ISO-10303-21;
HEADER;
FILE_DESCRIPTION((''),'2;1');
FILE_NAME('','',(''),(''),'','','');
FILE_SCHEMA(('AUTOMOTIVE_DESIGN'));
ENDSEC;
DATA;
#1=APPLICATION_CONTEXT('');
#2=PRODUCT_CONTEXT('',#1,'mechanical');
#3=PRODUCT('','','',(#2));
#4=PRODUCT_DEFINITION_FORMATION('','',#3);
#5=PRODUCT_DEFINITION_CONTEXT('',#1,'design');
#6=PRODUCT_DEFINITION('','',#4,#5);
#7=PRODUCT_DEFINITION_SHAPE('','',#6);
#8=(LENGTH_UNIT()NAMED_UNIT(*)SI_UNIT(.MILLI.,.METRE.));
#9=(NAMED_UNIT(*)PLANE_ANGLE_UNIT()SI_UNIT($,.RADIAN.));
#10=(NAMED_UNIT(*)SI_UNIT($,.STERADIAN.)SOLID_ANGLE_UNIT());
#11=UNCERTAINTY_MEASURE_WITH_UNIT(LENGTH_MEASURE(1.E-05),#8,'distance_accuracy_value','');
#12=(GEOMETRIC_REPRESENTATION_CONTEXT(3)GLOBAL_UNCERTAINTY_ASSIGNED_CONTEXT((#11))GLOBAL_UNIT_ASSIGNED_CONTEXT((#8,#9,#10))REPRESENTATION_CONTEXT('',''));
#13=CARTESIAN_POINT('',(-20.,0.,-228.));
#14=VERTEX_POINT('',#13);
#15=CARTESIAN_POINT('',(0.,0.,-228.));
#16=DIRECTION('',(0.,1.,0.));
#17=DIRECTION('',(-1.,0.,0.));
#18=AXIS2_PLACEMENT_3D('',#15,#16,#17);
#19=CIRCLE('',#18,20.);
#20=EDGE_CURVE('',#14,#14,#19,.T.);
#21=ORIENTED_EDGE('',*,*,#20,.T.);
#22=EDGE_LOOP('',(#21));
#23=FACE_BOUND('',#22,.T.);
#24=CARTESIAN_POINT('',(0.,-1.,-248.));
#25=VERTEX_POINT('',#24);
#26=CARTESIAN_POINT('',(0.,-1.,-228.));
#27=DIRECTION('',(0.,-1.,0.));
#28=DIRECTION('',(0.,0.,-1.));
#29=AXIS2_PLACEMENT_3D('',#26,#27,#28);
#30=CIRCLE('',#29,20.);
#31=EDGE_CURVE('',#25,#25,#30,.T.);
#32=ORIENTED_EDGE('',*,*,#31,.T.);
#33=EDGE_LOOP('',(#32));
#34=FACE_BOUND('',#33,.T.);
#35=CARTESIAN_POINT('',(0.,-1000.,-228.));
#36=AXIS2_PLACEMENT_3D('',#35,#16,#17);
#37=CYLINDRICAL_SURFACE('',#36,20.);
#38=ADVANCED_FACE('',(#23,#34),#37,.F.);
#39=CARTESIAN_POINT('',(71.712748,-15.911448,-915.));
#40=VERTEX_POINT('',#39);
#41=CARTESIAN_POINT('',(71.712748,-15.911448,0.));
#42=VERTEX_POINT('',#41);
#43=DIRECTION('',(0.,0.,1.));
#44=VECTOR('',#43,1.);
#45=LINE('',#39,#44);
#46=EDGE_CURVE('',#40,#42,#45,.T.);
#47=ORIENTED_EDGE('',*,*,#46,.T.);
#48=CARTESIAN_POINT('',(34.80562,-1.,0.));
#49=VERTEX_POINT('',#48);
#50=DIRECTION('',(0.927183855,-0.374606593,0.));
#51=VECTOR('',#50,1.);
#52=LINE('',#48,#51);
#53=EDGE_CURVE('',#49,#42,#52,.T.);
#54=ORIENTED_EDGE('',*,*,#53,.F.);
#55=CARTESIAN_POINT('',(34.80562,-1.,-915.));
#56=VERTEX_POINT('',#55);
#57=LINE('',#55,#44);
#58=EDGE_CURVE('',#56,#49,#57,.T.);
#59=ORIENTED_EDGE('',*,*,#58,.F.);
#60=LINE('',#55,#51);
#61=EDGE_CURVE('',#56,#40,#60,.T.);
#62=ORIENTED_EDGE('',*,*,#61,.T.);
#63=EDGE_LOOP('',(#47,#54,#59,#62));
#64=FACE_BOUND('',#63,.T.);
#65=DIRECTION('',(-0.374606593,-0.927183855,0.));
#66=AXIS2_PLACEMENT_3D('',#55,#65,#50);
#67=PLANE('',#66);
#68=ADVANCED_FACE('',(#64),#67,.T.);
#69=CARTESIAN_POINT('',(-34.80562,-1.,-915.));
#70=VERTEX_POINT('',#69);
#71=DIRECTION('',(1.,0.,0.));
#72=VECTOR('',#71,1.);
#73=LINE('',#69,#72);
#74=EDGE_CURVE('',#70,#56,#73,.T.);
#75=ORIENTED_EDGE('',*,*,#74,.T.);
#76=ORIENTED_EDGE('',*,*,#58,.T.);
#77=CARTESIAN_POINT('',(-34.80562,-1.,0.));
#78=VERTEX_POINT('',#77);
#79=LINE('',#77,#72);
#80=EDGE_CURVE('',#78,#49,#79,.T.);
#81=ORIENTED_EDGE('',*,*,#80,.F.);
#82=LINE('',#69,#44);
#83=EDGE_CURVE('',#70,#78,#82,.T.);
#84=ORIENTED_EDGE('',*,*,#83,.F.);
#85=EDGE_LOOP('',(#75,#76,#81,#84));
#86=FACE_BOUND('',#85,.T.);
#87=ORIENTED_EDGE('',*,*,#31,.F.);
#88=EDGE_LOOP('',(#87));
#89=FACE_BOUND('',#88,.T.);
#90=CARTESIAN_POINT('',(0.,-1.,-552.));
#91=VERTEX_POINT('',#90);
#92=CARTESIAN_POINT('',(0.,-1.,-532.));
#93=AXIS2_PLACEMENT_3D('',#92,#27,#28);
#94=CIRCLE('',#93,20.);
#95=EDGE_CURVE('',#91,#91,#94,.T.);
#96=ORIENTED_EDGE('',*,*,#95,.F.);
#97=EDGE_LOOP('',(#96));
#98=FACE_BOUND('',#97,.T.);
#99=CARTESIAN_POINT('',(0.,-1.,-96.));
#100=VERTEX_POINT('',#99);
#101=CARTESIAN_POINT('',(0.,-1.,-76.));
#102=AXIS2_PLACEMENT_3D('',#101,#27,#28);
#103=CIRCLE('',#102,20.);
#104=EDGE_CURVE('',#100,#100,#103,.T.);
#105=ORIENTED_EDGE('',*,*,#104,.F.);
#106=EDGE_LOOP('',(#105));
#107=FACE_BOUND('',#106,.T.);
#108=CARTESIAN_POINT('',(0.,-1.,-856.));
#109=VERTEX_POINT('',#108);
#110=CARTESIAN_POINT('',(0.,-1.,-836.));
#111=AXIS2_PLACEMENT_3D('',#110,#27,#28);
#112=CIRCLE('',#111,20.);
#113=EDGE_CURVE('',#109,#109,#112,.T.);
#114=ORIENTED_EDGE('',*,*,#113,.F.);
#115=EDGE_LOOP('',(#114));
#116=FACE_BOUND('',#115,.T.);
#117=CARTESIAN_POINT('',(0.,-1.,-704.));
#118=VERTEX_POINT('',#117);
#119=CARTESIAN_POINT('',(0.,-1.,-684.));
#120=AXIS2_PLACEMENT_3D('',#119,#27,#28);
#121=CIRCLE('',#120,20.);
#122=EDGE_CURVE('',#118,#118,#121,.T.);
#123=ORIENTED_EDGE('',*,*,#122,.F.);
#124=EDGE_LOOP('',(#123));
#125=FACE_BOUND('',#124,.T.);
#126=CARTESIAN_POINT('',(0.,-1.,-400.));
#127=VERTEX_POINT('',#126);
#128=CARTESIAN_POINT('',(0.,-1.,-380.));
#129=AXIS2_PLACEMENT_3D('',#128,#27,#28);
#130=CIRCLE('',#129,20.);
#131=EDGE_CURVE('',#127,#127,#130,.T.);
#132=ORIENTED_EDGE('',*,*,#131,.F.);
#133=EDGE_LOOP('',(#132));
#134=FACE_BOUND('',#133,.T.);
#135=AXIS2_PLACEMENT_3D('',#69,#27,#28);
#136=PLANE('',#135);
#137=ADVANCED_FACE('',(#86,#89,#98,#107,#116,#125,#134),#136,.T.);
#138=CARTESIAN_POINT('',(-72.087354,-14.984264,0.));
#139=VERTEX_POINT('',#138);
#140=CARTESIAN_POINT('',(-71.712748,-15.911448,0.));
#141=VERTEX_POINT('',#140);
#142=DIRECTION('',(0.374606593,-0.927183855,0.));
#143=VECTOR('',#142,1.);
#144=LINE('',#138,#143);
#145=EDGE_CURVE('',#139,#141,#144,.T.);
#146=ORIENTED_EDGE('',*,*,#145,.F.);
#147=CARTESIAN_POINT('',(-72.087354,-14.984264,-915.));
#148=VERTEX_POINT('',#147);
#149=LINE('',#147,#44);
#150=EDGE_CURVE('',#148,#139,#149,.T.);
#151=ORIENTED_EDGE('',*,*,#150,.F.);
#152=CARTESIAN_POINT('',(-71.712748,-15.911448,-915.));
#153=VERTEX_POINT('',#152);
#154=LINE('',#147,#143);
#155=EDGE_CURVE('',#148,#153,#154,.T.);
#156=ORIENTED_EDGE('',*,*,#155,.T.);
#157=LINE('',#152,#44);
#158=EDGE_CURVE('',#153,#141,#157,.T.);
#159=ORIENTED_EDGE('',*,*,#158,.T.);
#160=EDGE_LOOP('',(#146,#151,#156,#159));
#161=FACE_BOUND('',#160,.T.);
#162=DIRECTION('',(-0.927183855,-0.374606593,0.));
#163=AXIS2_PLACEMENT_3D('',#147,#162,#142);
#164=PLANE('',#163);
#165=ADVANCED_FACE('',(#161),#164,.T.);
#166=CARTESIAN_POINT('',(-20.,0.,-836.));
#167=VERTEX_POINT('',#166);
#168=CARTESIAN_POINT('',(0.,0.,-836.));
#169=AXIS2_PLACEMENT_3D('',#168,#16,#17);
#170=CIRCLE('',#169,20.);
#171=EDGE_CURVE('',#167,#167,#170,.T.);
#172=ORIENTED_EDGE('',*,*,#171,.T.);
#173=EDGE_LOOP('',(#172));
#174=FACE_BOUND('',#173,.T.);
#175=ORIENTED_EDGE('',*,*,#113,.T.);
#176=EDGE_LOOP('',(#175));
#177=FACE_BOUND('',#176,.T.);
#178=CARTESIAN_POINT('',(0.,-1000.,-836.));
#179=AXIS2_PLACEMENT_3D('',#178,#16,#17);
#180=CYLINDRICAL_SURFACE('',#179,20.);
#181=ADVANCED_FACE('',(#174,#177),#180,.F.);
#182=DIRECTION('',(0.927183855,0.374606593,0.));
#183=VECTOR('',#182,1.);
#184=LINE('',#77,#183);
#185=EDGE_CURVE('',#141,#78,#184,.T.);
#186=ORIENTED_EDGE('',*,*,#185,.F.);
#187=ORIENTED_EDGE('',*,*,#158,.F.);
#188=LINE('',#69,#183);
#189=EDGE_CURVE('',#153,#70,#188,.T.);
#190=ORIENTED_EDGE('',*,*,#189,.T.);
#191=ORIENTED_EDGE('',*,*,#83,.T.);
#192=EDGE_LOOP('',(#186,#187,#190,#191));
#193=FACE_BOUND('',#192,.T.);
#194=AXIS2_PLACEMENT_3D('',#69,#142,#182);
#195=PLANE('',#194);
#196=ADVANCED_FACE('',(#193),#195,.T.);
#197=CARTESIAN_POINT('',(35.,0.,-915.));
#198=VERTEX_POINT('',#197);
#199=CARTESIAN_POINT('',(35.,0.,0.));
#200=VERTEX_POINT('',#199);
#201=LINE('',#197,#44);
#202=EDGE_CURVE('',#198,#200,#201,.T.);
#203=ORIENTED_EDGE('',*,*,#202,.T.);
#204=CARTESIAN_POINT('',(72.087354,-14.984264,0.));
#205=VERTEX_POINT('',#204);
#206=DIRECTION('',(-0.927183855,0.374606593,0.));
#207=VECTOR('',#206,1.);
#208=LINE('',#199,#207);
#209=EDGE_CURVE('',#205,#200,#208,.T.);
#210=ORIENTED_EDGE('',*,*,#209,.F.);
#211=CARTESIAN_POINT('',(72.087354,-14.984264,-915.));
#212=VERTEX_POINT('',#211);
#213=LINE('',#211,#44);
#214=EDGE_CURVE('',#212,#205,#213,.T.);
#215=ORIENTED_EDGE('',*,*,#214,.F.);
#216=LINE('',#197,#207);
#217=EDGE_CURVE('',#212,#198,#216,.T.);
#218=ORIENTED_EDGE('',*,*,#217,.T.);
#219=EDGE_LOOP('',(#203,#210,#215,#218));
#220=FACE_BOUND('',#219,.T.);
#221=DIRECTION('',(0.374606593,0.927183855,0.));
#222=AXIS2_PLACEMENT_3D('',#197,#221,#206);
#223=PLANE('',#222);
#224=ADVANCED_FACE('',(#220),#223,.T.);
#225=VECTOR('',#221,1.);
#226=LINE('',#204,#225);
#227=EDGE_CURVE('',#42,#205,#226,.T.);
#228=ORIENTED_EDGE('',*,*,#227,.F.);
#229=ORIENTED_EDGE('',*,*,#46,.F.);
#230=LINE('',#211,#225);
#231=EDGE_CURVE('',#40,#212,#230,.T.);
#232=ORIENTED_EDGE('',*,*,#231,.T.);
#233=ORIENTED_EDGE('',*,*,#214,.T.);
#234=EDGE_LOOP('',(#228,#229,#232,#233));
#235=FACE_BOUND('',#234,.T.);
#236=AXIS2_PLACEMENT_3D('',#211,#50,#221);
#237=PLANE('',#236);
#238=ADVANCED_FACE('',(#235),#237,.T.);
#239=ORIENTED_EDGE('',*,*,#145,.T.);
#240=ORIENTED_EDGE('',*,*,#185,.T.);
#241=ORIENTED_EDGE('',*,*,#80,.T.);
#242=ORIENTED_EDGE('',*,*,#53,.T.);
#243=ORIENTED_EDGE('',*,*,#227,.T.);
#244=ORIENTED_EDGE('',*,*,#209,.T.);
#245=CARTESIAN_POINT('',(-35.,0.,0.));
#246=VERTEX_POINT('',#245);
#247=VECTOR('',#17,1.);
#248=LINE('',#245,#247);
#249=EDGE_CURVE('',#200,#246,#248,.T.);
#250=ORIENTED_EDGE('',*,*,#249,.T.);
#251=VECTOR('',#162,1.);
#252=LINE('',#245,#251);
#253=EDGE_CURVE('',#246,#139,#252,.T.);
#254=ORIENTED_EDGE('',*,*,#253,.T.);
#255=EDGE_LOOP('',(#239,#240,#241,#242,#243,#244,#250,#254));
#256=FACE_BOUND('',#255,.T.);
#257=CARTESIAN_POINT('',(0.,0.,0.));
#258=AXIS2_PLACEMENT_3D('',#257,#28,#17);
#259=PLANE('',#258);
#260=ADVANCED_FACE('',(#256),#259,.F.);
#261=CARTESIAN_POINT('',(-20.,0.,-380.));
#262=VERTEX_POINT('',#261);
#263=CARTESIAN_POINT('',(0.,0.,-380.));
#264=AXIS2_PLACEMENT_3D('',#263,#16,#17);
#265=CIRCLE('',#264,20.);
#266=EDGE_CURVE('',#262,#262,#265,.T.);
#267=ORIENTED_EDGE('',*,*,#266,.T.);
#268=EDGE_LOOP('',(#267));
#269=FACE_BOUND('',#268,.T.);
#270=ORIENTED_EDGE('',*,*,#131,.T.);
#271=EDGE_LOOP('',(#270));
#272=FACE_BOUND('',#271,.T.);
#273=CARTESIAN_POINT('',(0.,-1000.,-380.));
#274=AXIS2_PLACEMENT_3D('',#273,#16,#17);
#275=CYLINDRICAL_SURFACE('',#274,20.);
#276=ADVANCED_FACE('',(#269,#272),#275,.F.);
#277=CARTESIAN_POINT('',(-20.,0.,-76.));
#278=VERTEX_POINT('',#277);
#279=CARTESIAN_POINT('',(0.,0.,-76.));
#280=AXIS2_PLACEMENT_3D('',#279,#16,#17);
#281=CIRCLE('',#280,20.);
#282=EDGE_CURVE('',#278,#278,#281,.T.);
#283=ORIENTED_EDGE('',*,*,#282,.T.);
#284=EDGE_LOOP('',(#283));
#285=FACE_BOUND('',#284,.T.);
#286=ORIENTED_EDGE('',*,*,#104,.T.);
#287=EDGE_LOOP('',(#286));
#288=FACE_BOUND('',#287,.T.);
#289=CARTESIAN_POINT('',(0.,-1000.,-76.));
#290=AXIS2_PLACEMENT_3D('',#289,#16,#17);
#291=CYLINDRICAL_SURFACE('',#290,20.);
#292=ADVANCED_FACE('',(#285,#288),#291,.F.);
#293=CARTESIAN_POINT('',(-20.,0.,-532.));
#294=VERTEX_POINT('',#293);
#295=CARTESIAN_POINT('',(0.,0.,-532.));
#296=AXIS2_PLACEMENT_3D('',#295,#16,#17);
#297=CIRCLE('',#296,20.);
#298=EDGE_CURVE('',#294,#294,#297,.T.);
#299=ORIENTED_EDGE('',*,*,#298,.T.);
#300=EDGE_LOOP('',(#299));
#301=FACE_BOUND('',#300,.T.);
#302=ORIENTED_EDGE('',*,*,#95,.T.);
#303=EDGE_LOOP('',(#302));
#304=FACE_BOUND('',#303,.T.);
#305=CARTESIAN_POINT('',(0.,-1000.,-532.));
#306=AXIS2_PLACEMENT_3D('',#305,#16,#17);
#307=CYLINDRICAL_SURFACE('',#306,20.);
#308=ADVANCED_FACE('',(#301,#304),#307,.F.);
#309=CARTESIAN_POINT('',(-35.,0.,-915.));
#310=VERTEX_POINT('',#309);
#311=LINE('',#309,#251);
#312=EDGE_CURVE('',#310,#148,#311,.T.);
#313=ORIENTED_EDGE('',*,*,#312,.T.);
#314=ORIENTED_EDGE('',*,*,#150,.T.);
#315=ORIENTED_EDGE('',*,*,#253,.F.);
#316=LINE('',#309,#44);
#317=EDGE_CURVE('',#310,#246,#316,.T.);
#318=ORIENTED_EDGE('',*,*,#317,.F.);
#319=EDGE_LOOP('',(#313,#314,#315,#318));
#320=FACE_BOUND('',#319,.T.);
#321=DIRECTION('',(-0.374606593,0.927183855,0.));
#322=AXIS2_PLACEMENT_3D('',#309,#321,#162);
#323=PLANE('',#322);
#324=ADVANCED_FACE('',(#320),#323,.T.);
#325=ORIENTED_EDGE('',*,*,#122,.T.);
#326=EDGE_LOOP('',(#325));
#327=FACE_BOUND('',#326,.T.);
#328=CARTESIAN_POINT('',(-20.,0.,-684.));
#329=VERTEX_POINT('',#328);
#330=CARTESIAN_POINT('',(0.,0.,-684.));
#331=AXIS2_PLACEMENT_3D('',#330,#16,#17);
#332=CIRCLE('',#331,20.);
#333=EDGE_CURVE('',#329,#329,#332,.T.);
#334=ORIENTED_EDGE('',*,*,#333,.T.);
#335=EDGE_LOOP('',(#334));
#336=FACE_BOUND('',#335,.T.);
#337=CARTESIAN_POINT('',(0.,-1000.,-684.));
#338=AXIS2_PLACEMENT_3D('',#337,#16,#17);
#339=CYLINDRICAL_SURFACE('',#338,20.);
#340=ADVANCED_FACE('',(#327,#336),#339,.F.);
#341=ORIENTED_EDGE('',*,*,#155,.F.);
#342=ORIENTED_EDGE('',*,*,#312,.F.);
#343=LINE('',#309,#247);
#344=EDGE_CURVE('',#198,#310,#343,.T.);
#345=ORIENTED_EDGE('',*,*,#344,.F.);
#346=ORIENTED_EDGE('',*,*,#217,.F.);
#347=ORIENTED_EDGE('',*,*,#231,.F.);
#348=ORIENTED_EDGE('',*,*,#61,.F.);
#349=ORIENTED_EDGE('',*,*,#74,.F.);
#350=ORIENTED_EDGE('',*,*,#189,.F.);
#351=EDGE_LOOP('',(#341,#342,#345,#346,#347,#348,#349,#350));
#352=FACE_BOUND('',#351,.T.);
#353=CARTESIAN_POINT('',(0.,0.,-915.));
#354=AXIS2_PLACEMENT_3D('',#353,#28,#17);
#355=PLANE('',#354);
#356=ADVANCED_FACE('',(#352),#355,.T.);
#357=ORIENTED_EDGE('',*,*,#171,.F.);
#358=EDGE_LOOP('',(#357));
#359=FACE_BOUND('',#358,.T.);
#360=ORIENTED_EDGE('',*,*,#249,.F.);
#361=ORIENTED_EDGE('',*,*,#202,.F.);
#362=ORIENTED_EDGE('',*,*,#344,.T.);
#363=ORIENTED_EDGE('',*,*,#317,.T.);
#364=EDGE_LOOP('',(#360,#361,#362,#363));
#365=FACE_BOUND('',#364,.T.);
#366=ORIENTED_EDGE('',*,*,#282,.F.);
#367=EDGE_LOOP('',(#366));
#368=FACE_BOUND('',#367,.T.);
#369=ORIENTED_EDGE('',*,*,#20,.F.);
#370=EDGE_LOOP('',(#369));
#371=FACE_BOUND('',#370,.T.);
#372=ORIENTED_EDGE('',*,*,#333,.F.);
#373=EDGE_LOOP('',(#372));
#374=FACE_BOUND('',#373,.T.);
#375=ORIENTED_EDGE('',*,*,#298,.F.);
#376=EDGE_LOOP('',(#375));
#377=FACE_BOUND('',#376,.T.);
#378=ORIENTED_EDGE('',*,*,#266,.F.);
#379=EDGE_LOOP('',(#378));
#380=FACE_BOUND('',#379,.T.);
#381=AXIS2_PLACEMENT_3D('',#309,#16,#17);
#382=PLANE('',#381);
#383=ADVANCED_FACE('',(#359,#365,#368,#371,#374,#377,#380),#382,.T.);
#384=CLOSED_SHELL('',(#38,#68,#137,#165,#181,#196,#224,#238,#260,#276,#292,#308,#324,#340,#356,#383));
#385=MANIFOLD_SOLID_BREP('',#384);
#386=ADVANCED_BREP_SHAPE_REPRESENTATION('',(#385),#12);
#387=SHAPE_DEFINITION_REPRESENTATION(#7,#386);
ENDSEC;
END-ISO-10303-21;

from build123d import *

# Parameters (mm, degrees)
BOSS_EXTRUDE1_DEPTH = 915
SKETCH2_R           = 20
CUT_EXTRUDE1_DEPTH  = 1000


with BuildPart() as part:
    # Sketch1 → Boss-Extrude1 (new body)
    with BuildSketch(Plane.XY):
        Polygon((-35, 0), (35, 0), (72.087354183, -14.984263737), (71.712747589, -15.911447591), (34.805619691, -1), (-34.805619691, -1), (-71.712747589, -15.911447591), (-72.087354183, -14.984263737), align=None)
    extrude(amount=-BOSS_EXTRUDE1_DEPTH)

    # Sketch2 → Cut-Extrude1 (cut)
    with BuildSketch(Plane(origin=(0, 0, 0), x_dir=(1, 0, 0), z_dir=(0, 1, 0))):
        with Locations(Location((0, 76, 0), (0, 0, 180))):
            Circle(SKETCH2_R)
        with Locations(Location((0, 228, 0), (0, 0, 180))):
            Circle(SKETCH2_R)
        with Locations(Location((0, 380, 0), (0, 0, 180))):
            Circle(SKETCH2_R)
        with Locations(Location((0, 532, 0), (0, 0, 180))):
            Circle(SKETCH2_R)
        with Locations(Location((0, 684, 0), (0, 0, 180))):
            Circle(SKETCH2_R)
        with Locations(Location((0, 836, 0), (0, 0, 180))):
            Circle(SKETCH2_R)
    extrude(amount=-CUT_EXTRUDE1_DEPTH, mode=Mode.SUBTRACT)


solid = part.part
